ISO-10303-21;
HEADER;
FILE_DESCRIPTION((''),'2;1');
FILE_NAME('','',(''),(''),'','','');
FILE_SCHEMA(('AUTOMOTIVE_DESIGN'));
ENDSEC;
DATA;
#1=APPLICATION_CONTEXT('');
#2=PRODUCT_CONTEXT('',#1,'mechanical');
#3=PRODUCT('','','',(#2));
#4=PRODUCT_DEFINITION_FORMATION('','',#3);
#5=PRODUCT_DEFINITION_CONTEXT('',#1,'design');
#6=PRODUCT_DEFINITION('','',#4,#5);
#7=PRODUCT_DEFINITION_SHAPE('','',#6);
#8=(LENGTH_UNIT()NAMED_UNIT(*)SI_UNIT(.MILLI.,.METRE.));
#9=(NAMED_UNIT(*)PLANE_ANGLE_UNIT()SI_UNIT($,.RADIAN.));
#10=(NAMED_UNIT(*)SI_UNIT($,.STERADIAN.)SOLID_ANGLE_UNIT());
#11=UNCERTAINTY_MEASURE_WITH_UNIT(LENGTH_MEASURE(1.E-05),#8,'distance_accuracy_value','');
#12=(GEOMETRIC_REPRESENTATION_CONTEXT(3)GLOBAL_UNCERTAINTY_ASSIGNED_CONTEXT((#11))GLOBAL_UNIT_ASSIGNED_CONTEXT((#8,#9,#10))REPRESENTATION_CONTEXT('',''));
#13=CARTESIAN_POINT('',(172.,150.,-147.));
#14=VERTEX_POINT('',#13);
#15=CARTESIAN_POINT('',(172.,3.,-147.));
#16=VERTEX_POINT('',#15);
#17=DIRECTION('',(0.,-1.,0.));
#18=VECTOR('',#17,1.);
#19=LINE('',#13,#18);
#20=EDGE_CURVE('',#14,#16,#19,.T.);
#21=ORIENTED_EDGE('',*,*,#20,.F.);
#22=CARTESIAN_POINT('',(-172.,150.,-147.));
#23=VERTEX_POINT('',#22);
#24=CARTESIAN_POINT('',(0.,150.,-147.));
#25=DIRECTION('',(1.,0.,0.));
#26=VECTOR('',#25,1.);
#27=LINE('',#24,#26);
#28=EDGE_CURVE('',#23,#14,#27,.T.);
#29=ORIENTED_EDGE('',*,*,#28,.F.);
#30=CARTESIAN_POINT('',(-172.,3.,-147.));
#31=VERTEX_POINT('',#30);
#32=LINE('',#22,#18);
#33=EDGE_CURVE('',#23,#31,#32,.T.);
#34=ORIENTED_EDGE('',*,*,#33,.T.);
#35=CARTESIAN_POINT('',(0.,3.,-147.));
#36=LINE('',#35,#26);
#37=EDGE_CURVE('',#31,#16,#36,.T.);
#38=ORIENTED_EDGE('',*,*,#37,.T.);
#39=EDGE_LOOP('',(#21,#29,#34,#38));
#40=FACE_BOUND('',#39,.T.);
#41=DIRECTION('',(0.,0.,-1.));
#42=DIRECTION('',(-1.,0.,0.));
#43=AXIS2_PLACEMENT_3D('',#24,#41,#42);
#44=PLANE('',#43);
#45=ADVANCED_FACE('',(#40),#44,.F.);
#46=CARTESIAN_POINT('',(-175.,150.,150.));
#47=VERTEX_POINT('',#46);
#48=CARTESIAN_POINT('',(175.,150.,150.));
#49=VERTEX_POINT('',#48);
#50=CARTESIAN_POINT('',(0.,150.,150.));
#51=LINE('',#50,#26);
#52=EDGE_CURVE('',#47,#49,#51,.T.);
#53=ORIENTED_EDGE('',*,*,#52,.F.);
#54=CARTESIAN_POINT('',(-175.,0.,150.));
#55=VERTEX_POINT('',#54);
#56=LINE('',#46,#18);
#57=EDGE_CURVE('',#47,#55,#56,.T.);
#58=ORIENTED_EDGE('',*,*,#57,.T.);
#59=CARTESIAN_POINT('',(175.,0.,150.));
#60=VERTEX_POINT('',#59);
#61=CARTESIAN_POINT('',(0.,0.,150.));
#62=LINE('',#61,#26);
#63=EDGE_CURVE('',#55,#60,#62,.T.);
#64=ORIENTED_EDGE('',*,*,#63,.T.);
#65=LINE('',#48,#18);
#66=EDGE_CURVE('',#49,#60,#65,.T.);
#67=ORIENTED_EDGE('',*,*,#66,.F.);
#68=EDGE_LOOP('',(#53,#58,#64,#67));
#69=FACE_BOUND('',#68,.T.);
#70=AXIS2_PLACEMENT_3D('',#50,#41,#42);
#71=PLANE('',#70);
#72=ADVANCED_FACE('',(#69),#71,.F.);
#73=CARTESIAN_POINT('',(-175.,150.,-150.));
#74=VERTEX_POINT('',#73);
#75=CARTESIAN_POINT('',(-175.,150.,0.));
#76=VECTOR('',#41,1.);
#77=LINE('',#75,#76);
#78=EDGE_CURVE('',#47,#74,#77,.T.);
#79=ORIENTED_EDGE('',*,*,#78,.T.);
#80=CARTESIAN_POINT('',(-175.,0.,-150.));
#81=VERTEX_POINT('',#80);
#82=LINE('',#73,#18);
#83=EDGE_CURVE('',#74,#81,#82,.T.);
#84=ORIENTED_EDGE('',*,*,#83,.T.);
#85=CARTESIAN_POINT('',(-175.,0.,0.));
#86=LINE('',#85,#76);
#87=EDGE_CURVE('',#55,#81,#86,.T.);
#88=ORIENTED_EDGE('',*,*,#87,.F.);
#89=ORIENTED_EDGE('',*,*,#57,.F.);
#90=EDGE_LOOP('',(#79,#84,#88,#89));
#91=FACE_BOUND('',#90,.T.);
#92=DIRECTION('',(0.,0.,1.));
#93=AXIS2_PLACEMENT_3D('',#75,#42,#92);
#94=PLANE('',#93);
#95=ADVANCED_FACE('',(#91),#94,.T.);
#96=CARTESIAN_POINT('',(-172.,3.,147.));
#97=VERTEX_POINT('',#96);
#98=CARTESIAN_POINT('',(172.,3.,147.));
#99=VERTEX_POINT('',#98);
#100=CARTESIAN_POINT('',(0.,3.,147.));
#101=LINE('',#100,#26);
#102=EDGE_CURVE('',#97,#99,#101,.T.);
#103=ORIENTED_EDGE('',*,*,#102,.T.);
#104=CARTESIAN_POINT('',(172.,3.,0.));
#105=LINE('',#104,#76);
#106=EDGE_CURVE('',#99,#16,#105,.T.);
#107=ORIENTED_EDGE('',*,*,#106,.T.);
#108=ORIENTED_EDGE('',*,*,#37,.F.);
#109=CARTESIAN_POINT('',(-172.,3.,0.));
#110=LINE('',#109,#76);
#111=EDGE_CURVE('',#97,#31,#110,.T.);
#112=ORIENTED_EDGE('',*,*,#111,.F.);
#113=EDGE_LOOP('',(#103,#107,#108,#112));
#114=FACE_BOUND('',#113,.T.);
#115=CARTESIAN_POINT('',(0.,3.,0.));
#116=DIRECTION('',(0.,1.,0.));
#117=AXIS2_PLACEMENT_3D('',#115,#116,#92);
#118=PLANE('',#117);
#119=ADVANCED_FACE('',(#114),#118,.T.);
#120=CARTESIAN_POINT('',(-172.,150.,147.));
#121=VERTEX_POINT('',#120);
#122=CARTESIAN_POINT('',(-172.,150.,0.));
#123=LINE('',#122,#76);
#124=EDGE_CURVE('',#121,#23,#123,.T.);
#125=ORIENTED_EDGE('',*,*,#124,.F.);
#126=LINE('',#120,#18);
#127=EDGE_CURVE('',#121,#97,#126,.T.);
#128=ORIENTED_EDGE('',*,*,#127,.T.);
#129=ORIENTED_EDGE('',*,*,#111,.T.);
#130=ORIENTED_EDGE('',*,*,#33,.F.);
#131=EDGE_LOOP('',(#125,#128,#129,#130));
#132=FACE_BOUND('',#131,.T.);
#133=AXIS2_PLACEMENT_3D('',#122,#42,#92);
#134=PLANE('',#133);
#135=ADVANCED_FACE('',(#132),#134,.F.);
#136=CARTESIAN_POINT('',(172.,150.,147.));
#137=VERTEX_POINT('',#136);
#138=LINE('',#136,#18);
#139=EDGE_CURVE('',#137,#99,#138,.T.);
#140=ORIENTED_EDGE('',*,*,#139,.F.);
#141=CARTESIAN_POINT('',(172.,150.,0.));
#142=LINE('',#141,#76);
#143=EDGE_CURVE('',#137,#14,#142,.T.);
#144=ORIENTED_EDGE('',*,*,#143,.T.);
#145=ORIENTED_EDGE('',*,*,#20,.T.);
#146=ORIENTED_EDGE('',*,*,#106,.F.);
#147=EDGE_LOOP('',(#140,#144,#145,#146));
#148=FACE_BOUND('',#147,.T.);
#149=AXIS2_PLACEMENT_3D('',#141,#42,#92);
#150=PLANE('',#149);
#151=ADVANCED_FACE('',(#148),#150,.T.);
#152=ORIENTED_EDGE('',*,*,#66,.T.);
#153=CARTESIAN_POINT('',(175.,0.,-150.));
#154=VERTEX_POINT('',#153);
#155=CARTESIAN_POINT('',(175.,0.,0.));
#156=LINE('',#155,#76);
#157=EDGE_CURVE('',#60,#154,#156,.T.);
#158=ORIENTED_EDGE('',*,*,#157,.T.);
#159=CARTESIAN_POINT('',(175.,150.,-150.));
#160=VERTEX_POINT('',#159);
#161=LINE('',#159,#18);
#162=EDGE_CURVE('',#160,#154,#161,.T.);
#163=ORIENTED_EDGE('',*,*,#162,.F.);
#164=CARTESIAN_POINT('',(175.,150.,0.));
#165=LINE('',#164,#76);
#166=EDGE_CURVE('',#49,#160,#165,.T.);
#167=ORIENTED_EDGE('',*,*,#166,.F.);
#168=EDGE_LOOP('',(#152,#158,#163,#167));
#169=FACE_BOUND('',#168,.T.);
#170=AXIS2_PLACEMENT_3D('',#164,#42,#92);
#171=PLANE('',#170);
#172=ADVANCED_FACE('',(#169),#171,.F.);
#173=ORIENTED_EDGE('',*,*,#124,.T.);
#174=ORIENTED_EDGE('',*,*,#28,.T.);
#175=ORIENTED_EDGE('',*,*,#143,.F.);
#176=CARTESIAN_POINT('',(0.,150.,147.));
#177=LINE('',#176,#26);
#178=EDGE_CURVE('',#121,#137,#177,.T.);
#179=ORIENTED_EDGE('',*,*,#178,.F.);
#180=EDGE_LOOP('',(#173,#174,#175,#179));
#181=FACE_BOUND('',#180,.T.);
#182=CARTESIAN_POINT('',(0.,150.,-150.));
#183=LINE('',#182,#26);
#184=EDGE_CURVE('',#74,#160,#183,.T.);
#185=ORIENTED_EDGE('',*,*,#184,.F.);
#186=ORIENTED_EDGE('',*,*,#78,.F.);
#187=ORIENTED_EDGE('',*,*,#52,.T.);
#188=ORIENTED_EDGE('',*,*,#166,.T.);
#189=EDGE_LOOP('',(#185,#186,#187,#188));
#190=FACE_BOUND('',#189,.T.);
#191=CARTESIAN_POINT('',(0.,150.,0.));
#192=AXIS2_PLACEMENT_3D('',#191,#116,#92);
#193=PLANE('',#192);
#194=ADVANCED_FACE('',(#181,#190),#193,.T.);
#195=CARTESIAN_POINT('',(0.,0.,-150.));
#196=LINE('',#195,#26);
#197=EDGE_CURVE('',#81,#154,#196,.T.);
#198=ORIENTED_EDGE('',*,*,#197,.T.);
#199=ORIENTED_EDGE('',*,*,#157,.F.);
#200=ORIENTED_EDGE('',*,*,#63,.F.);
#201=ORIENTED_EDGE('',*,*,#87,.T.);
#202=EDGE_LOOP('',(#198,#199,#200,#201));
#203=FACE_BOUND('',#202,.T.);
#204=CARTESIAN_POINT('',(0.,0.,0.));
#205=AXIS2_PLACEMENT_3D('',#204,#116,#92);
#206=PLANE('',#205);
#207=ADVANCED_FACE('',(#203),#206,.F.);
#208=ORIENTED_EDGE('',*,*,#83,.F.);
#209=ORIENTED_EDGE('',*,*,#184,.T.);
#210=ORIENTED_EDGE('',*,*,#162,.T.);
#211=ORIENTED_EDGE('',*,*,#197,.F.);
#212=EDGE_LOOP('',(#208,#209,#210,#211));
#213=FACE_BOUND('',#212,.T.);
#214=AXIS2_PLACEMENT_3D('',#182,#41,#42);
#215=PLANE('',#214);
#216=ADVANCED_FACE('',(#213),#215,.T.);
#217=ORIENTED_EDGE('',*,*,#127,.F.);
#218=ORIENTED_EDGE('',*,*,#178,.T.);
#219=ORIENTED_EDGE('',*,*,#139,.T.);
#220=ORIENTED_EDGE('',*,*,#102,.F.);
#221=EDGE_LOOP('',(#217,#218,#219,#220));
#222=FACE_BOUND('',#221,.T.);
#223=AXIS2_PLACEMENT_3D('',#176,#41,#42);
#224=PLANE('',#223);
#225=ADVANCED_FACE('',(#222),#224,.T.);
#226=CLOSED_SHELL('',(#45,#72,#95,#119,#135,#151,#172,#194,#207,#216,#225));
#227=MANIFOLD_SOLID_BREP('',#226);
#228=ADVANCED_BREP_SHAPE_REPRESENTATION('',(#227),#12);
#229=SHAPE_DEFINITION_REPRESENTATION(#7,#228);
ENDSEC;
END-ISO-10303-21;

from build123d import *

# Parameters (mm, degrees)
SKETCH_1_W        = 350
SKETCH_1_H        = 300
SKETCH_1_W_2      = 344
SKETCH_1_H_2      = 294
EXTRUDE_1_DEPTH   = 150
SKETCH_2_W        = 350
SKETCH_2_H        = 300
EXTRUDE_1_2_DEPTH = 3


with BuildPart() as part:
    # 草图1 → Extrude 1 (new body)
    with BuildSketch(Plane(origin=(0, 0, 0), x_dir=(1, 0, 0), z_dir=(0, 1, 0))):
        Rectangle(SKETCH_1_W, SKETCH_1_H)
        Rectangle(SKETCH_1_W_2, SKETCH_1_H_2, mode=Mode.SUBTRACT)
    extrude(amount=EXTRUDE_1_DEPTH)

    # 草图2 → Extrude 1 2 (add)
    with BuildSketch(Plane.XZ):
        Rectangle(SKETCH_2_W, SKETCH_2_H)
    extrude(amount=-EXTRUDE_1_2_DEPTH)


solid = part.part
